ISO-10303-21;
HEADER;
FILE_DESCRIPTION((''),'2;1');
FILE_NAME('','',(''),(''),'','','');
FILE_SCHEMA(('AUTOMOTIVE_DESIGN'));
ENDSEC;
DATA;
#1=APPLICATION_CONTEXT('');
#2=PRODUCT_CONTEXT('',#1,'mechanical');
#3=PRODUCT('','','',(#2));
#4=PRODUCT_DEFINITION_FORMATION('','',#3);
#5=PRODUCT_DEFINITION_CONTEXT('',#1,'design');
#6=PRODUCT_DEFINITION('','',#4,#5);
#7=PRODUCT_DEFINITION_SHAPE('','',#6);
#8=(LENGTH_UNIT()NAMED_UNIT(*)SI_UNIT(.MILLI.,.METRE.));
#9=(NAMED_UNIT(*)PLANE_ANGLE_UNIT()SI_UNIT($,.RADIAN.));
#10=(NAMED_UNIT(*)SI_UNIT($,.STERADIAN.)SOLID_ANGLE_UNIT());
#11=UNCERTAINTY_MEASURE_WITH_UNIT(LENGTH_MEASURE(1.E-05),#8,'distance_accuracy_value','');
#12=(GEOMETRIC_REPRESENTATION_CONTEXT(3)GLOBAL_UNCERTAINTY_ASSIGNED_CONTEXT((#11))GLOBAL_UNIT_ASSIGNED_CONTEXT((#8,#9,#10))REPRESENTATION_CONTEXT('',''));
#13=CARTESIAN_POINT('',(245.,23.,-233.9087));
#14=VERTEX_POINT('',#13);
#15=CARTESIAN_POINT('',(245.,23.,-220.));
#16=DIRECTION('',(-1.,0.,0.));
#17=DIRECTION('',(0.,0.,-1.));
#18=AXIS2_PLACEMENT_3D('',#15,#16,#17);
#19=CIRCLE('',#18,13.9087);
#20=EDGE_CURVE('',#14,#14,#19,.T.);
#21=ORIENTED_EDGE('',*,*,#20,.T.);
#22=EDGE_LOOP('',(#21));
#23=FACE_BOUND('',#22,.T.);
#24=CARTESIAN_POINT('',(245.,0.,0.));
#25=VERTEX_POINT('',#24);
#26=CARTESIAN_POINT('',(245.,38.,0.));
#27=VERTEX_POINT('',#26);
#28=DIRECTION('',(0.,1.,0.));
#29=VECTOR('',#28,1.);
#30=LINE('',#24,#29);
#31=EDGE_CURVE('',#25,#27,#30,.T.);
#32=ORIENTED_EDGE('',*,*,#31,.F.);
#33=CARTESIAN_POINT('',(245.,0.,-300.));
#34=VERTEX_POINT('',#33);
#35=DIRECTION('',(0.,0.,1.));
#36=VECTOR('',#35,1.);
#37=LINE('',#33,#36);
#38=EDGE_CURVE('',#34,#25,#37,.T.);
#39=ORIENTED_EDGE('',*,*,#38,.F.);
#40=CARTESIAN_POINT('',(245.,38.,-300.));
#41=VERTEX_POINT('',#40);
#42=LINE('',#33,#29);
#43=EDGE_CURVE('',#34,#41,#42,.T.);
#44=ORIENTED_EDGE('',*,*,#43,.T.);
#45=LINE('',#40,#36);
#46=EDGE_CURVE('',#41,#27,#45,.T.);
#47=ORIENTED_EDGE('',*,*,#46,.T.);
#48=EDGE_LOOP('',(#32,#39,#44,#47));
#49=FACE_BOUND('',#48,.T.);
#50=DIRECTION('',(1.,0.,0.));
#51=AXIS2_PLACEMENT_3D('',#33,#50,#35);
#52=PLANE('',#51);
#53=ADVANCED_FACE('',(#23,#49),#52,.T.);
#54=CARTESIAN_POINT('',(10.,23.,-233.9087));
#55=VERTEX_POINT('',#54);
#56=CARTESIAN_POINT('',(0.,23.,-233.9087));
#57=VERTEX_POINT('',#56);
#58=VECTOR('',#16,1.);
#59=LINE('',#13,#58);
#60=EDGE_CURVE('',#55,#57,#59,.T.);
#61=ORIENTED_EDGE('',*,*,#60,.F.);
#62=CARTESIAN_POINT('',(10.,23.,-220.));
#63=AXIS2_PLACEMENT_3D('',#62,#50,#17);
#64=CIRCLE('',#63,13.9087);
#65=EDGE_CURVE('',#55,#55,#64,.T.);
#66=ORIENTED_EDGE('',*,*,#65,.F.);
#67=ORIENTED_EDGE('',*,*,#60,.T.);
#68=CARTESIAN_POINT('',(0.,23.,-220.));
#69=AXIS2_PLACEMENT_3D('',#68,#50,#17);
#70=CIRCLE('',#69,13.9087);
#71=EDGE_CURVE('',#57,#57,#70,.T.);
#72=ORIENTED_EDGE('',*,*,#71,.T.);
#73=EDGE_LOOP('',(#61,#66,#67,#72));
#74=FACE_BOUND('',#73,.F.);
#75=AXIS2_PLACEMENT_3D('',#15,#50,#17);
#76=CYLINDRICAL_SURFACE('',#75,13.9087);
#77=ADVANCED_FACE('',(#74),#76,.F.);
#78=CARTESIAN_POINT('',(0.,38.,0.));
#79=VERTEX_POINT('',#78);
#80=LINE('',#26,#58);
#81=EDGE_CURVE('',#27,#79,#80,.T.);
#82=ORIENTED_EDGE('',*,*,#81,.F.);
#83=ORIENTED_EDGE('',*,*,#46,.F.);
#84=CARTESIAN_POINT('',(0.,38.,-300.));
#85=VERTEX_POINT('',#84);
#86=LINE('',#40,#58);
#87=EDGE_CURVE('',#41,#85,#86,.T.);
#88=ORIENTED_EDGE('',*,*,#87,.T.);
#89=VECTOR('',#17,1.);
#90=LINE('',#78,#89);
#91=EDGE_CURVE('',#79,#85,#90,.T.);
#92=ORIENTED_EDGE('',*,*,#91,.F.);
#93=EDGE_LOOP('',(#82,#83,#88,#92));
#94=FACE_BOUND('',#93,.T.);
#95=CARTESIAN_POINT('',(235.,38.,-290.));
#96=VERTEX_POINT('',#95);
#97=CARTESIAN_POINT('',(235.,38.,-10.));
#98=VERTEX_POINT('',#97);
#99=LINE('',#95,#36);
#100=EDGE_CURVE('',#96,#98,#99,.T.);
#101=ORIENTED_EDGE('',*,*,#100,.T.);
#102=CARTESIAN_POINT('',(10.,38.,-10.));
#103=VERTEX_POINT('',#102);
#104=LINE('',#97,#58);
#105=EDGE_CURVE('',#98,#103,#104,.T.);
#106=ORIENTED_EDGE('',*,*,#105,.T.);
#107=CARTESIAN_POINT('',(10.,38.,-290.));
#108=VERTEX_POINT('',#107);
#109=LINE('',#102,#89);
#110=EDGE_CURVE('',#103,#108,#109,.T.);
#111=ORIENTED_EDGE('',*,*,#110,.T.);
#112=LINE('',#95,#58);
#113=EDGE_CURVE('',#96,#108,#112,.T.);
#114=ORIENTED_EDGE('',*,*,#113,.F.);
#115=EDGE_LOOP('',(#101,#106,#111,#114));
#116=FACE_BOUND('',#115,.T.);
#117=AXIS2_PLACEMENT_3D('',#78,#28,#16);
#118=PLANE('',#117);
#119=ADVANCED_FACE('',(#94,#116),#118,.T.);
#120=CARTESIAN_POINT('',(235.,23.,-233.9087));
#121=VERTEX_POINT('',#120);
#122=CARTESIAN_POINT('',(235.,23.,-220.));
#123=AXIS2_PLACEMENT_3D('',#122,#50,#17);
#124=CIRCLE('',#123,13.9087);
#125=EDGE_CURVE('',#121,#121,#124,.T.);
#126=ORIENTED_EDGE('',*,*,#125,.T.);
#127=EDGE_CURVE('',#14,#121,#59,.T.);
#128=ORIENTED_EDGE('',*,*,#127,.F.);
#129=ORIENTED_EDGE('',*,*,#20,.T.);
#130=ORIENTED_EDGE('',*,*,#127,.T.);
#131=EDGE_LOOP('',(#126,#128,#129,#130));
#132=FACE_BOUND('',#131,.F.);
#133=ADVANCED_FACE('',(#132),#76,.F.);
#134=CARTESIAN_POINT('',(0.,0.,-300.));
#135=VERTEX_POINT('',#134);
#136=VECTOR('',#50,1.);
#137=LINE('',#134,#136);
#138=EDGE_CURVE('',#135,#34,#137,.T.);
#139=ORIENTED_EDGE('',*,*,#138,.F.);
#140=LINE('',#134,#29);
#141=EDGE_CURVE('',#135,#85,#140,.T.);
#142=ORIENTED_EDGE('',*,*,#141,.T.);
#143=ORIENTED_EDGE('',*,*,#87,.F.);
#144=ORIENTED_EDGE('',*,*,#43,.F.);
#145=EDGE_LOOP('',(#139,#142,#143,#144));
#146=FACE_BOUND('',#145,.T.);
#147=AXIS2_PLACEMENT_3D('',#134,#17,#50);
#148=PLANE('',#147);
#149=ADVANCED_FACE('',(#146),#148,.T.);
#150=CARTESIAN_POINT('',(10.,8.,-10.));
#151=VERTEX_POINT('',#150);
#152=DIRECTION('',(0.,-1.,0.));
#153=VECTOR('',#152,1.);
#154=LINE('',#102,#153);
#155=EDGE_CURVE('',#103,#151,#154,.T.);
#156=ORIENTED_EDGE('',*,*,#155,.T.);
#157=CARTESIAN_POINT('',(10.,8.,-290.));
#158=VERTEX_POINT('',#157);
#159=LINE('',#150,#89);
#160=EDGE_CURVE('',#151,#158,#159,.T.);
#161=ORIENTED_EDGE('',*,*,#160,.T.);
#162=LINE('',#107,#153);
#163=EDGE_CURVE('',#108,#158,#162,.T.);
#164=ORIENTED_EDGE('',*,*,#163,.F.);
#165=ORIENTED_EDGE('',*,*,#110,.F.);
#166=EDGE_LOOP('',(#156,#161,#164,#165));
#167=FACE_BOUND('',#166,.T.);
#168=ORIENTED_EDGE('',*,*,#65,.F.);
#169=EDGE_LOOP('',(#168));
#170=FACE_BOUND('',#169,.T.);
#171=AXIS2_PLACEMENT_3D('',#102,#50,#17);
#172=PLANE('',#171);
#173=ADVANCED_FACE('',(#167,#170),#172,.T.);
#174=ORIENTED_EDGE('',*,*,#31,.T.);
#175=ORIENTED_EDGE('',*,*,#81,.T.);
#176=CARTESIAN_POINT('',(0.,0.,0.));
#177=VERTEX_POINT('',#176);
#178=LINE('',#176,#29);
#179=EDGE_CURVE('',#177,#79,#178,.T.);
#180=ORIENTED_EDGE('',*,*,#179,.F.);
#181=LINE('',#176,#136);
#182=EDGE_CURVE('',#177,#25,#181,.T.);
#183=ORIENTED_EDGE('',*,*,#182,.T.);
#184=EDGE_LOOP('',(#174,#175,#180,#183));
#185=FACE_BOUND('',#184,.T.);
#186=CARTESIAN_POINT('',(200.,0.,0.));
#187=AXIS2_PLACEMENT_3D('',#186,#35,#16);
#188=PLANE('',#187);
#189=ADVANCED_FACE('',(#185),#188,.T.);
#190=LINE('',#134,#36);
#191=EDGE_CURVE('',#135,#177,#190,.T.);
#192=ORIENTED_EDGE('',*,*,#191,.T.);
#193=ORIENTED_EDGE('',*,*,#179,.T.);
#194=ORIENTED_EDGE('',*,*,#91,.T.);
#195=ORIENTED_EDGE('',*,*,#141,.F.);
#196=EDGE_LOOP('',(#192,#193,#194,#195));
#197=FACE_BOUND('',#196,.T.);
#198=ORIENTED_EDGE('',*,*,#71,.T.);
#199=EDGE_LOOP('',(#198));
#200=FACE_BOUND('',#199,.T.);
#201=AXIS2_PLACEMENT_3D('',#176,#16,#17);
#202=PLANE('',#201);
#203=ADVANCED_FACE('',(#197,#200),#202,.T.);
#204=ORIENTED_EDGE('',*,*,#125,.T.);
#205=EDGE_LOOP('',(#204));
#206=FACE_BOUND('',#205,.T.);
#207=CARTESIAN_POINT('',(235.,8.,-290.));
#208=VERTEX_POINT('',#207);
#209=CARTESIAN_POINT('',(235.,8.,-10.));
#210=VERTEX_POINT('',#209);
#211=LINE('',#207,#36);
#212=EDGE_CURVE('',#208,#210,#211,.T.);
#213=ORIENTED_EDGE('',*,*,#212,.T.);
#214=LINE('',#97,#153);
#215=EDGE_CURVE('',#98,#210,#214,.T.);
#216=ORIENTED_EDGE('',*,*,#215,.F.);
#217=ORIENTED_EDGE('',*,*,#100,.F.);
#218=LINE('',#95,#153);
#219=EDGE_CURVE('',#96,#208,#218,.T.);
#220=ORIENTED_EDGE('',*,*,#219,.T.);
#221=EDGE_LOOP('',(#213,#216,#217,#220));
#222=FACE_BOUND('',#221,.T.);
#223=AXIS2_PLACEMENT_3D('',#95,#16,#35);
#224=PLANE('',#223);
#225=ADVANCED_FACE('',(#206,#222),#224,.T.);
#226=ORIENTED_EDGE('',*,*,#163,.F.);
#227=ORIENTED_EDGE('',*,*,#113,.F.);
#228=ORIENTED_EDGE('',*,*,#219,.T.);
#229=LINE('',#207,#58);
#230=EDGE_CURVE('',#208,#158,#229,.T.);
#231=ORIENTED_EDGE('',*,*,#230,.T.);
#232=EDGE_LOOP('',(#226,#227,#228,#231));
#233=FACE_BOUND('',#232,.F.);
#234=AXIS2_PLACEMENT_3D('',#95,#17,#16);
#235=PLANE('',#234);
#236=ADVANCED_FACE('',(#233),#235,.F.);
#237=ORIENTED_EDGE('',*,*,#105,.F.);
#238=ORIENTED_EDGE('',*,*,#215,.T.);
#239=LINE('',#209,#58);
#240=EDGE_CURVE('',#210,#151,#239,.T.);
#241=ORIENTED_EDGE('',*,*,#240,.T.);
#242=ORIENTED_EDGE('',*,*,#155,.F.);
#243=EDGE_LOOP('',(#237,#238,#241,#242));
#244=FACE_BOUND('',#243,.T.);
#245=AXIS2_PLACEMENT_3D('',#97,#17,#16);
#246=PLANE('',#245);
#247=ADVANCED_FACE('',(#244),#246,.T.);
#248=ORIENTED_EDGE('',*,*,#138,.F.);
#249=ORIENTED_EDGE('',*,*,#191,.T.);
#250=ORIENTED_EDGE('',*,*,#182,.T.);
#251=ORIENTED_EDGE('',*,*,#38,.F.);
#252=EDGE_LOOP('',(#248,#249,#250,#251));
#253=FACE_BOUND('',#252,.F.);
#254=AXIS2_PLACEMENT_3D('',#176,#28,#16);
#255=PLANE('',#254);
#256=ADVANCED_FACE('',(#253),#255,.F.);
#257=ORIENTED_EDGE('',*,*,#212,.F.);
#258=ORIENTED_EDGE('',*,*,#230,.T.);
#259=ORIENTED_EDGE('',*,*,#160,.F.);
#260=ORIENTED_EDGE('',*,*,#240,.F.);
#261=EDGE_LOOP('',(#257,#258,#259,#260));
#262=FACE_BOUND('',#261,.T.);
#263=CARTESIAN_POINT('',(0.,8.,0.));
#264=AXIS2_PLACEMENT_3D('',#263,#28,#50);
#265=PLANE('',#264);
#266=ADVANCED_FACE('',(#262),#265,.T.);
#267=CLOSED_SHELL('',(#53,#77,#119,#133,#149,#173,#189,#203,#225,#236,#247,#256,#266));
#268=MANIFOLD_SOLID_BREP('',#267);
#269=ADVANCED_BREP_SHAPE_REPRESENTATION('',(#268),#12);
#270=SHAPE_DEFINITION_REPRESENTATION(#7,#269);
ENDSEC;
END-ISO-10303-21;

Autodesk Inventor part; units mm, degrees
ref_plane "YZ Plane" through (0, 0, 0) normal (1, 0, 0) x (0, 1, 0)
ref_plane "XZ Plane" through (0, 0, 0) normal (0, 1, 0) x (-1, 0, 0)
ref_plane "XY Plane" through (0, 0, 0) normal (0, 0, 1) x (1, 0, 0)
sketch "Sketch1" plane through (0, 0, 0) normal (0, 1, 0) x (-1, 0, 0)
  line L0 (0, 0) -> (0, -250)
  line L1 (-200, 0) -> (0, 0)
  line L2 (0, -250) -> (0, -300)
  line L3 (0, -300) -> (-200, -300)
  line L4 (-200, -300) -> (-230, -300)
  line L5 (-230, 0) -> (-200, 0)
  line L6 (-230, -300) -> (-245, -300)
  line L7 (-245, -300) -> (-245, 0)
  line L8 (-245, 0) -> (-230, 0)
  dimension "d0" = 250
  dimension "d4" = 50
  dimension "d12" = 30
  dimension "d24" = 15
extrude "Extrusion1" add sketch "Sketch1" along normal blind 38
sketch "Sketch2" plane through (0, 38, 0) normal (0, 1, 0) x (1, 0, 0)
  line L0 (0, 300) -> (0, 0) projected
  line L1 (0, 0) -> (245, 0) projected
  line L2 (10, 10) -> (10, 290)
  line L3 (245, 300) -> (0, 300) projected
  line L4 (245, 0) -> (245, 300) projected
  line L5 (245, 290) -> (235, 290)
  line L6 (235, 290) -> (235, 10)
  line L7 (235, 290) -> (10, 290)
  line L8 (0, 300) -> (0, 0) projected
  line L9 (235, 10) -> (10, 10)
  dimension "d25" = 10
extrude "Extrusion2" cut sketch "Sketch2" against normal blind 30 contours L6 L9 L2 L7
sketch "Sketch5" plane through (0, 0, 0) normal (0, -1, 0) x (1, 0, 0)
  point P0 (0, 0)
sketch "Sketch6" plane through (0, 8, 0) normal (0, 1, 0) x (1, 0, 0)
  point P0 (0, 0)
sketch "Sketch7" plane through (0, 8, 0) normal (0, 1, 0) x (1, 0, 0)
  line L0 (10, 290) -> (235, 290) projected
  line L1 (235, 10) -> (10, 10) projected
  line L2 (235, 290) -> (10, 10)
  line L3 (10, 10) -> (10, 290) projected
  line L4 (235, 10) -> (10, 290)
  point P0 (0, 0)
sketch "Sketch8" plane through (245, 0, 0) normal (1, 0, 0) x (0, 0, -1)
  line L0 (0, 38) -> (300, 38) projected
  line L1 (0, 0) -> (300, 0) projected
  line L2 (0, 0) -> (0, 38) projected
  line L3 (150, 38) -> (150, 8)
  line L4 (290, 8) -> (10, 8) projected
  line L5 (150, 8) -> (290, 8)
  line L6 (290, 38) -> (290, 8) projected
  line L7 (290, 8) -> (290, 38)
  line L8 (290, 38) -> (150, 38)
  line L9 (290, 38) -> (10, 38) projected
  line L10 (150, 8) -> (290, 38)
  line L11 (290, 38) -> (150, 38)
  line L12 (290, 8) -> (150, 38)
  circle A0 centre (220, 23) radius 13.9087
extrude "Extrusion4" cut sketch "Sketch8" against normal blind 250 contours A0 L10 L12 | L12 L10 A0 | A0 L12 L10 | L10 L12 A0
equation "\"BendRadius\" = Thickness"
equation "\"BendReliefWidth\" = Thickness"
equation "\"BendReliefDepth\" = 0.5 * Thickness"
equation "\"CornerReliefSize\" = 4 * Thickness"
equation "\"MinimumRemnant\" = 2 * Thickness"
equation "\"TransitionRadius\" = BendRadius"
equation "\"JacobiRadiusSize\" = BendRadius"
equation "\"GapSize\" = Thickness"
equation "\"Thickness\" = 3.048"
properties part number "Case_3d_model_3DPrint"
